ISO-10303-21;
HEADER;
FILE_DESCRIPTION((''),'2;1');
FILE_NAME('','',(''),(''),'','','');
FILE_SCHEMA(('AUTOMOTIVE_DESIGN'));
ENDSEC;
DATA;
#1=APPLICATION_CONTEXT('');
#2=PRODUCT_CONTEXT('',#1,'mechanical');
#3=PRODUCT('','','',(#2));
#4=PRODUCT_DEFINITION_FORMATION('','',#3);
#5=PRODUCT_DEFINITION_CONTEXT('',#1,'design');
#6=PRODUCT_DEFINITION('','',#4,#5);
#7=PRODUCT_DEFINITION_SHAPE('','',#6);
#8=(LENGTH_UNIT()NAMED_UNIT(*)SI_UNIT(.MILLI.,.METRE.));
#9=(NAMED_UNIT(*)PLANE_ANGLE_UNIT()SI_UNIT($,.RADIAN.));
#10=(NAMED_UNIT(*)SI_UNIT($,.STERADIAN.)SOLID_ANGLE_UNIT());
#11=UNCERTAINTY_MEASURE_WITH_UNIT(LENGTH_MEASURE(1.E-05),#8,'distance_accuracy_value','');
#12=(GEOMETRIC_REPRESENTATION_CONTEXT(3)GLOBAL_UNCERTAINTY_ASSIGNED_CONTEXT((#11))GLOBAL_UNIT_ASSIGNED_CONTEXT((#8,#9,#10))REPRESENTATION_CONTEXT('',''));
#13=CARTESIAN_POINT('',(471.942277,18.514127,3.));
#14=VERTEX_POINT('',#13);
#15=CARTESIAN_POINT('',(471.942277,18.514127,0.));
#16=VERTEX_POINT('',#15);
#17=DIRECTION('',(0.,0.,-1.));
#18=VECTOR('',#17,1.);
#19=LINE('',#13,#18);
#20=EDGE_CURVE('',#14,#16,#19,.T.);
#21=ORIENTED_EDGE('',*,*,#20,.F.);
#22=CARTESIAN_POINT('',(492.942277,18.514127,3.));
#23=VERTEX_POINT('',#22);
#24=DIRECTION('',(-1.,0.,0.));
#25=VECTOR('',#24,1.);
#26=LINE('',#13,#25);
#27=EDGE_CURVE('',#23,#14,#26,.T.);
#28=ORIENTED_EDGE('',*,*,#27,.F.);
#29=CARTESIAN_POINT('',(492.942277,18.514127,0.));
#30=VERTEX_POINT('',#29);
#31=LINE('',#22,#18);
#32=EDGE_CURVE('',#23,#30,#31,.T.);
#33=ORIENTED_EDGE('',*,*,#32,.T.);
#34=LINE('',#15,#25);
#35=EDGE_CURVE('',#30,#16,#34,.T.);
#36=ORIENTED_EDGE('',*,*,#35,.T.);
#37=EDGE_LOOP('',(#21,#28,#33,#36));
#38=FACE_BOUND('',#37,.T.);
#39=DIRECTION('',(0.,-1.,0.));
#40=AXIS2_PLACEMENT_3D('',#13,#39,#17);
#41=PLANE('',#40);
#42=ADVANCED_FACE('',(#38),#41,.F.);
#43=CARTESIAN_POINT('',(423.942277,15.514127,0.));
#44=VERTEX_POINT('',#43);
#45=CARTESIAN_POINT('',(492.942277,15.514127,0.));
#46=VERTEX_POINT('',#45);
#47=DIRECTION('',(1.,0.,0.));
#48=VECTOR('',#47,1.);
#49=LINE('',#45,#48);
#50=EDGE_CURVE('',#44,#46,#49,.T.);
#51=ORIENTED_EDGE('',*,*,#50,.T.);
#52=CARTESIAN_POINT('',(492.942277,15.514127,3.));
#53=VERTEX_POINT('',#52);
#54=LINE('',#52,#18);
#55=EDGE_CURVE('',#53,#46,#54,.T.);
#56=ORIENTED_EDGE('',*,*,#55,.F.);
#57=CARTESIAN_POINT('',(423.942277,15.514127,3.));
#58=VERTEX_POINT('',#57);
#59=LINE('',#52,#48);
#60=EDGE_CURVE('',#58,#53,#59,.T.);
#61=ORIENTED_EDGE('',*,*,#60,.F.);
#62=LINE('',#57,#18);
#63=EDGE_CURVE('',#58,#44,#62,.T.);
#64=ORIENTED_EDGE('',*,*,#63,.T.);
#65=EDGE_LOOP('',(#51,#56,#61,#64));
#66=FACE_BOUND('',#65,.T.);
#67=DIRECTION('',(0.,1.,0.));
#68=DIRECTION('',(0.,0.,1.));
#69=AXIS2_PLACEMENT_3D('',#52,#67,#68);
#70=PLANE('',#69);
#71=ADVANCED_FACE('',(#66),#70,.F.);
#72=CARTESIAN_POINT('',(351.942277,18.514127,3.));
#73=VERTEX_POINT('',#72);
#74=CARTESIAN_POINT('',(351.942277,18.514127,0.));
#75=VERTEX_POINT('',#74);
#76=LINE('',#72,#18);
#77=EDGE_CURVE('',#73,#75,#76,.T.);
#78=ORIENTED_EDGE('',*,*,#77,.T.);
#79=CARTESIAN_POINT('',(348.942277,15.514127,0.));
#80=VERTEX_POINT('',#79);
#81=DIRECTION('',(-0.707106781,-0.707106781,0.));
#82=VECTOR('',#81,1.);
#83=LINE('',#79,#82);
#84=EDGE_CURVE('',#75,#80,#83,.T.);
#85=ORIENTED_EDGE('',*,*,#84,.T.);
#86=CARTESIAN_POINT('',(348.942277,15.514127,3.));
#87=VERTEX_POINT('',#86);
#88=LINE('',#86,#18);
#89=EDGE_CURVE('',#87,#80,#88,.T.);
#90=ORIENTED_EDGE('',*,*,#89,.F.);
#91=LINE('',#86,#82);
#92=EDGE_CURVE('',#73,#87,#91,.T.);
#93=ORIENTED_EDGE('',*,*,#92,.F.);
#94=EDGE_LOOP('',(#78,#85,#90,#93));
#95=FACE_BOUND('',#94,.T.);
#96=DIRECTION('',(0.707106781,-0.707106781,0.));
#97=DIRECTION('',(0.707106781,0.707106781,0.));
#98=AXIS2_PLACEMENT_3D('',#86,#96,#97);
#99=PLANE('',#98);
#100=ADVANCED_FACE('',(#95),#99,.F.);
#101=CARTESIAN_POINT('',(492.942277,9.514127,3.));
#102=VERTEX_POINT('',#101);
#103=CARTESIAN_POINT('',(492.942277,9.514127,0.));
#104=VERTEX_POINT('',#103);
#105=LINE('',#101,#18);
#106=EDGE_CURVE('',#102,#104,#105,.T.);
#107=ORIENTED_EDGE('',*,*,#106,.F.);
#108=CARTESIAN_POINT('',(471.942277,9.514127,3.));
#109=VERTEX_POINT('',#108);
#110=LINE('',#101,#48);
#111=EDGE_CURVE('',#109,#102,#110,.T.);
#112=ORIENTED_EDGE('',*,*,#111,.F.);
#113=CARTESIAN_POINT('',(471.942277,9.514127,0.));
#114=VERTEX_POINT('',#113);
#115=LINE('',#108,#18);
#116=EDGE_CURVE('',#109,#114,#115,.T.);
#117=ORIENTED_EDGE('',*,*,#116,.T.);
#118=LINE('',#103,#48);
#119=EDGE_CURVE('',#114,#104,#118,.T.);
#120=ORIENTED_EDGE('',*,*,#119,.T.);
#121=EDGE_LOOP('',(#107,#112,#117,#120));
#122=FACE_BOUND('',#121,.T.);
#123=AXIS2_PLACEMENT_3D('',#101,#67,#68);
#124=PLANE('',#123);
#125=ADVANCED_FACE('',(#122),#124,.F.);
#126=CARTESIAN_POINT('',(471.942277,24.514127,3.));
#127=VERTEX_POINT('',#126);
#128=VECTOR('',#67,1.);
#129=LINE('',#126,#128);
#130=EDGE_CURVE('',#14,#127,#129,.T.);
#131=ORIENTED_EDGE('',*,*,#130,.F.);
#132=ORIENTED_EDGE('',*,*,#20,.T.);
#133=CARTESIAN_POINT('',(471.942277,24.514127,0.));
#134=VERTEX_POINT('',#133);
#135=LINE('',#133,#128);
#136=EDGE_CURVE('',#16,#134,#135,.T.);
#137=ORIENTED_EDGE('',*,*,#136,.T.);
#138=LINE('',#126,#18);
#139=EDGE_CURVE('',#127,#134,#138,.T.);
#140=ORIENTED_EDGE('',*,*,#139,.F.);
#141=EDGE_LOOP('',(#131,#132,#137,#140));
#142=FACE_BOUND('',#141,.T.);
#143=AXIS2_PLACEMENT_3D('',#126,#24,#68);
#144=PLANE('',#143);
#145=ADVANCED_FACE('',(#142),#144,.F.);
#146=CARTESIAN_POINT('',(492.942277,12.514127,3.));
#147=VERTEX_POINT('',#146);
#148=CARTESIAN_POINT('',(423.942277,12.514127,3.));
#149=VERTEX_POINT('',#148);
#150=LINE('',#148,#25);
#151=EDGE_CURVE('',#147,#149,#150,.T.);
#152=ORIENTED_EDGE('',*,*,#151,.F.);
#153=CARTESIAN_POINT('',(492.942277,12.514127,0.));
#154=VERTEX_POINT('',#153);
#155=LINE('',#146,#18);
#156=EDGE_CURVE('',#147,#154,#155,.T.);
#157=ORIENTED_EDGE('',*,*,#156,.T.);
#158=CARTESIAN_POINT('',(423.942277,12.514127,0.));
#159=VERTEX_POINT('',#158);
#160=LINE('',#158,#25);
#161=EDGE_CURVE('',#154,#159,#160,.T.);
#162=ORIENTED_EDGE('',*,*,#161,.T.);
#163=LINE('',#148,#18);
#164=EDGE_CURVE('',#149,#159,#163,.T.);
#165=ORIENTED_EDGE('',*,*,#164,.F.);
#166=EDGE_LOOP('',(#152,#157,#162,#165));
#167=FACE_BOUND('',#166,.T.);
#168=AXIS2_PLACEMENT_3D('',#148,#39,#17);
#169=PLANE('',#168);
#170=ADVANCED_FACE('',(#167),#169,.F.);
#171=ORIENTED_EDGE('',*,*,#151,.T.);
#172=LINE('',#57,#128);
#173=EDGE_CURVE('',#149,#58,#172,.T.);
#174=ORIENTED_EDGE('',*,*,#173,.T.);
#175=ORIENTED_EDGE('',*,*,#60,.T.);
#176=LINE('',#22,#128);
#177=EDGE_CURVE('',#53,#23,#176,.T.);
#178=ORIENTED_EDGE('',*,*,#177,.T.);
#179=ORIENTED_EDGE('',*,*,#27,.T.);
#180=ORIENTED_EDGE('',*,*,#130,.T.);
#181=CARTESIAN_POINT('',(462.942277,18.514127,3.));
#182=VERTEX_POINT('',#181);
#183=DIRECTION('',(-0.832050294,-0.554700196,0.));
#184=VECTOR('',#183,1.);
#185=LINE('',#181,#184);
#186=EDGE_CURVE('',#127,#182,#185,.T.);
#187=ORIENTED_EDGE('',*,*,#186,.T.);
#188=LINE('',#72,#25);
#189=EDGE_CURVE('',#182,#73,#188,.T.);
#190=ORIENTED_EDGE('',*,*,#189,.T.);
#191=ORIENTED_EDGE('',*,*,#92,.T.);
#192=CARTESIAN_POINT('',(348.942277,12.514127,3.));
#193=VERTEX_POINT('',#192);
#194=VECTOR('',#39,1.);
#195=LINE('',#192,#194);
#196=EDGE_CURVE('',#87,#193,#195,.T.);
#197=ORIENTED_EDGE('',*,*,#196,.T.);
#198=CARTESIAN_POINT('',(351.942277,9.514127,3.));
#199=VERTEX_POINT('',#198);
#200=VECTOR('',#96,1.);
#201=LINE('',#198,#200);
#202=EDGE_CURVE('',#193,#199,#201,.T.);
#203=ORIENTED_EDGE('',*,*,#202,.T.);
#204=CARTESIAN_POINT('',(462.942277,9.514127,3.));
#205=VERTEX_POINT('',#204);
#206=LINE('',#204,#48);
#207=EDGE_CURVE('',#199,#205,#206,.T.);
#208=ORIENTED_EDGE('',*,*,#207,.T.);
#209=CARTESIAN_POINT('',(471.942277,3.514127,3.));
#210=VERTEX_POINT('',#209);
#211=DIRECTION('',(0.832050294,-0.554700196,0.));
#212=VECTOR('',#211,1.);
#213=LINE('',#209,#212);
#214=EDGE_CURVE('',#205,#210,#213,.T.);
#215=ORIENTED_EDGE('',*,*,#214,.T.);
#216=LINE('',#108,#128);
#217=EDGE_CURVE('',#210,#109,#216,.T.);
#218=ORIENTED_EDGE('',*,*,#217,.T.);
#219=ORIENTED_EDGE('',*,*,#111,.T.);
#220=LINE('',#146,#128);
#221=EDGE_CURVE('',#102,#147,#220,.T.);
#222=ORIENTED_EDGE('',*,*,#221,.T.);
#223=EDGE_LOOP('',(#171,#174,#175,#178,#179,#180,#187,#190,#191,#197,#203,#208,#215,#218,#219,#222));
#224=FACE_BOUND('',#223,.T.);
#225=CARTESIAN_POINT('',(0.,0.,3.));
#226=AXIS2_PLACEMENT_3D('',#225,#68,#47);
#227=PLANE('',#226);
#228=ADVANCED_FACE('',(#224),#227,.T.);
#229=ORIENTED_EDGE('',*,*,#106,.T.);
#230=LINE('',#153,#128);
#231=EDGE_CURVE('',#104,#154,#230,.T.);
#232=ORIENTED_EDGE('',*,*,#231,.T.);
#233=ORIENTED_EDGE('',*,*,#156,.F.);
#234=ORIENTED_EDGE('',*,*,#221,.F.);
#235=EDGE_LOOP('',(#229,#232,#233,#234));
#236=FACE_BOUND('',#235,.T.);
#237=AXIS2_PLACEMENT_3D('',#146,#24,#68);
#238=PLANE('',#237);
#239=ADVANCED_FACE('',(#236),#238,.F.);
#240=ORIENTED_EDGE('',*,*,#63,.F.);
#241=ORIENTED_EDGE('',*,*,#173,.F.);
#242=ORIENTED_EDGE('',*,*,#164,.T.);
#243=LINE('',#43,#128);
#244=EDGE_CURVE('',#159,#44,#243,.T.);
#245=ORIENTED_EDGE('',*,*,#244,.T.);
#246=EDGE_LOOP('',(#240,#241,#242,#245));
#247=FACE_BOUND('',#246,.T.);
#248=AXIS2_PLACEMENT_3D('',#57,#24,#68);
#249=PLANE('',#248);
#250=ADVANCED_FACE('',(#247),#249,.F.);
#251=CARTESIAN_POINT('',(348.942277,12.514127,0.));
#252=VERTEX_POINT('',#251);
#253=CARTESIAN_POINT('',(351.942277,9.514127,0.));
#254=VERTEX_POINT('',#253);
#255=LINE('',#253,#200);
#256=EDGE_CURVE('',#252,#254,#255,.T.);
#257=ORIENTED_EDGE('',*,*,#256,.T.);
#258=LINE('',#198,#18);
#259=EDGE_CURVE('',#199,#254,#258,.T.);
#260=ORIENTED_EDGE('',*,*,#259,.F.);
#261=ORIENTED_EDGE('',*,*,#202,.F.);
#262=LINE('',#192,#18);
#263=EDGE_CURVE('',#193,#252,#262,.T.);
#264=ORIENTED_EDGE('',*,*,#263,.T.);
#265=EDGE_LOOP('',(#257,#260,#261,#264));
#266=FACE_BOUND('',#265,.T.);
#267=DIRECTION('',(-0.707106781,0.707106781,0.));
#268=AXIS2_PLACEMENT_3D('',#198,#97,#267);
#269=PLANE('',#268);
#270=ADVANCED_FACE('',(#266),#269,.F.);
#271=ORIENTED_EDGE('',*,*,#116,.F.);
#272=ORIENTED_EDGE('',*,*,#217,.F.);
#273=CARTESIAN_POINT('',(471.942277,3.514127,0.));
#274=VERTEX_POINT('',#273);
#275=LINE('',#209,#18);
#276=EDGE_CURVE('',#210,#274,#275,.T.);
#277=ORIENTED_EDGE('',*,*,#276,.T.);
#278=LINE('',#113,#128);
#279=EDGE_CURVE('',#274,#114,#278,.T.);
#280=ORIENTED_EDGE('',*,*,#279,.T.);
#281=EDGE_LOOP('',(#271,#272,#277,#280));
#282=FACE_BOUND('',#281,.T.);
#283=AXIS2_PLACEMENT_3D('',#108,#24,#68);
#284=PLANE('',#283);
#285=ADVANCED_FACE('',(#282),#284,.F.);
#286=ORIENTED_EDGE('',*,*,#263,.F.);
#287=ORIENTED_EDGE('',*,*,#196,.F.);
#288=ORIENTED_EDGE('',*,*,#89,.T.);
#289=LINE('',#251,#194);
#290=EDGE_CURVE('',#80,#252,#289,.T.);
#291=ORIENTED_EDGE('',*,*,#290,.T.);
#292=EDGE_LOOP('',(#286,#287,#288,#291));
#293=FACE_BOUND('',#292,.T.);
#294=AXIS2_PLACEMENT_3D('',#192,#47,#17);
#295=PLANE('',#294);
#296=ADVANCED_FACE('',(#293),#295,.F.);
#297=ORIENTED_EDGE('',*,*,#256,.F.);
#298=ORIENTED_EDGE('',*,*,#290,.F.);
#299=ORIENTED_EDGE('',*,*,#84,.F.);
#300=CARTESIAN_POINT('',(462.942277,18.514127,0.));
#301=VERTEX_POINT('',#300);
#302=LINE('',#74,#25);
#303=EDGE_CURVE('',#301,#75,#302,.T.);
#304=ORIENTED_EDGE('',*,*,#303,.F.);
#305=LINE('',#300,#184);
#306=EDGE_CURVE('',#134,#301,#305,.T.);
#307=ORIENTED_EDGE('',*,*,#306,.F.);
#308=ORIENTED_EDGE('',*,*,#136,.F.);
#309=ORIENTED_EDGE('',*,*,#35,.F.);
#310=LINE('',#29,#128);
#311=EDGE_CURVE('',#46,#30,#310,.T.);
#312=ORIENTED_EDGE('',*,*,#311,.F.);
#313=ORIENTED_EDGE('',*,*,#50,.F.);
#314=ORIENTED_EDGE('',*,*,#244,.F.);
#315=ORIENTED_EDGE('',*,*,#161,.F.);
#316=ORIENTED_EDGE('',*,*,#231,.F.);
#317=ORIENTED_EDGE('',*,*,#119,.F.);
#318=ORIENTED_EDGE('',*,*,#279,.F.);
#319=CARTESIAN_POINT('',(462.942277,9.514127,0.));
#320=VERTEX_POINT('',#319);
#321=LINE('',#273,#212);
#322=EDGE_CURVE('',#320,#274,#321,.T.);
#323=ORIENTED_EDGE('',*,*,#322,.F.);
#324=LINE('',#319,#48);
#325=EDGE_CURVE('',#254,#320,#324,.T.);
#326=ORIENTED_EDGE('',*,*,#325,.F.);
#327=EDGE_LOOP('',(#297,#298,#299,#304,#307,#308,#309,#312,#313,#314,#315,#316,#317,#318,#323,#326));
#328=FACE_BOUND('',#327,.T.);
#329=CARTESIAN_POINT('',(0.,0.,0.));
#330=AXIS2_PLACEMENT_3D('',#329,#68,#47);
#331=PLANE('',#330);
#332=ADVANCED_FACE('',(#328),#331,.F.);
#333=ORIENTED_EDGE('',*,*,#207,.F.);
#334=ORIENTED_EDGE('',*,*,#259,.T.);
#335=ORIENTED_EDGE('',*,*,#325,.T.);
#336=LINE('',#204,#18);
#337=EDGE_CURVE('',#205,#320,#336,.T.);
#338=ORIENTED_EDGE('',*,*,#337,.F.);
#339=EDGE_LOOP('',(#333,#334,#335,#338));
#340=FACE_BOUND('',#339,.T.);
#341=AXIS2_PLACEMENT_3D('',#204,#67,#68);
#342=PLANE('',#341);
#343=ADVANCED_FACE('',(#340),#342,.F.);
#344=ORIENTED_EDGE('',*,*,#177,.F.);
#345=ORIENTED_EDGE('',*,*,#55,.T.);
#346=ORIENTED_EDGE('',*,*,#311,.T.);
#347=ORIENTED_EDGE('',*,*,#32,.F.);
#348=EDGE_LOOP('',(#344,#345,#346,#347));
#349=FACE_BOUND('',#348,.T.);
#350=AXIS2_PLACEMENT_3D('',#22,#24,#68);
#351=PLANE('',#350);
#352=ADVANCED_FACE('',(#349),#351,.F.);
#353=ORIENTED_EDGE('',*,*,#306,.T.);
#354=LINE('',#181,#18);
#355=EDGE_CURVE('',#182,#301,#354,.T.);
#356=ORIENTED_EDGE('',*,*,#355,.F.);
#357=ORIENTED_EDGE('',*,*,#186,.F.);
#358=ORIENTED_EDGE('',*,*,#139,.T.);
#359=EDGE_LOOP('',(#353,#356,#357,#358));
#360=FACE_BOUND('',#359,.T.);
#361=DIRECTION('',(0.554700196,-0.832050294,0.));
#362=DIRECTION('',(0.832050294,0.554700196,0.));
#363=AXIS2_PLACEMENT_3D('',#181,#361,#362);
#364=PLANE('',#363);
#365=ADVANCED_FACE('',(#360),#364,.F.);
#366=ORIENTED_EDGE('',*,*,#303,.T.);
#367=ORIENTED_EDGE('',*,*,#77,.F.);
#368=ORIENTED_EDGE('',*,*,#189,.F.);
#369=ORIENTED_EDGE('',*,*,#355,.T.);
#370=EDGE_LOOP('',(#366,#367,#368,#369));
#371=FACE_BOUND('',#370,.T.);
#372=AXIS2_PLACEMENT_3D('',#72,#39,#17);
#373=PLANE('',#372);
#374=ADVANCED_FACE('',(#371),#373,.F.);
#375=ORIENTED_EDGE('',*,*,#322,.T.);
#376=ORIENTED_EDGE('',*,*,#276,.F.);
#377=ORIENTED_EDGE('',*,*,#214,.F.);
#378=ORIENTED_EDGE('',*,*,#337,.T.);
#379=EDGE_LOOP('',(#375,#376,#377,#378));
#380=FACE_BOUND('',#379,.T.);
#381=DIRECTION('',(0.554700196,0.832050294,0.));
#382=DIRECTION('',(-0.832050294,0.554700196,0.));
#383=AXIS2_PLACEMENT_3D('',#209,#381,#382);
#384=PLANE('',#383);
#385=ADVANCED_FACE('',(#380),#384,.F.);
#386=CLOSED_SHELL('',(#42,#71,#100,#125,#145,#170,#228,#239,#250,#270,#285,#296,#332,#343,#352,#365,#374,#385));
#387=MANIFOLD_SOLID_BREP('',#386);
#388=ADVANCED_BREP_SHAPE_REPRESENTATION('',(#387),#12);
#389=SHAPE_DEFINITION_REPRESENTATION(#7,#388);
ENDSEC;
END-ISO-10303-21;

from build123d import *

# Parameters (mm, degrees)
BOSS_EXTRUDE1_DEPTH = 3


with BuildPart() as part:
    # Sketch1 → Boss-Extrude1 (new body)
    with BuildSketch(Plane.XY):
        Polygon((471.942277064, 9.51412737), (471.942277064, 3.51412737), (462.942277064, 9.51412737), (351.942277064, 9.51412737), (348.942277064, 12.51412737), (348.942277064, 15.51412737), (351.942277064, 18.51412737), (462.942277064, 18.51412737), (471.942277064, 24.51412737), (471.942277064, 18.51412737), (492.942277064, 18.51412737), (492.942277064, 15.51412737), (423.942277064, 15.51412737), (423.942277064, 12.51412737), (492.942277064, 12.51412737), (492.942277064, 9.51412737), align=None)
    extrude(amount=BOSS_EXTRUDE1_DEPTH)


solid = part.part
